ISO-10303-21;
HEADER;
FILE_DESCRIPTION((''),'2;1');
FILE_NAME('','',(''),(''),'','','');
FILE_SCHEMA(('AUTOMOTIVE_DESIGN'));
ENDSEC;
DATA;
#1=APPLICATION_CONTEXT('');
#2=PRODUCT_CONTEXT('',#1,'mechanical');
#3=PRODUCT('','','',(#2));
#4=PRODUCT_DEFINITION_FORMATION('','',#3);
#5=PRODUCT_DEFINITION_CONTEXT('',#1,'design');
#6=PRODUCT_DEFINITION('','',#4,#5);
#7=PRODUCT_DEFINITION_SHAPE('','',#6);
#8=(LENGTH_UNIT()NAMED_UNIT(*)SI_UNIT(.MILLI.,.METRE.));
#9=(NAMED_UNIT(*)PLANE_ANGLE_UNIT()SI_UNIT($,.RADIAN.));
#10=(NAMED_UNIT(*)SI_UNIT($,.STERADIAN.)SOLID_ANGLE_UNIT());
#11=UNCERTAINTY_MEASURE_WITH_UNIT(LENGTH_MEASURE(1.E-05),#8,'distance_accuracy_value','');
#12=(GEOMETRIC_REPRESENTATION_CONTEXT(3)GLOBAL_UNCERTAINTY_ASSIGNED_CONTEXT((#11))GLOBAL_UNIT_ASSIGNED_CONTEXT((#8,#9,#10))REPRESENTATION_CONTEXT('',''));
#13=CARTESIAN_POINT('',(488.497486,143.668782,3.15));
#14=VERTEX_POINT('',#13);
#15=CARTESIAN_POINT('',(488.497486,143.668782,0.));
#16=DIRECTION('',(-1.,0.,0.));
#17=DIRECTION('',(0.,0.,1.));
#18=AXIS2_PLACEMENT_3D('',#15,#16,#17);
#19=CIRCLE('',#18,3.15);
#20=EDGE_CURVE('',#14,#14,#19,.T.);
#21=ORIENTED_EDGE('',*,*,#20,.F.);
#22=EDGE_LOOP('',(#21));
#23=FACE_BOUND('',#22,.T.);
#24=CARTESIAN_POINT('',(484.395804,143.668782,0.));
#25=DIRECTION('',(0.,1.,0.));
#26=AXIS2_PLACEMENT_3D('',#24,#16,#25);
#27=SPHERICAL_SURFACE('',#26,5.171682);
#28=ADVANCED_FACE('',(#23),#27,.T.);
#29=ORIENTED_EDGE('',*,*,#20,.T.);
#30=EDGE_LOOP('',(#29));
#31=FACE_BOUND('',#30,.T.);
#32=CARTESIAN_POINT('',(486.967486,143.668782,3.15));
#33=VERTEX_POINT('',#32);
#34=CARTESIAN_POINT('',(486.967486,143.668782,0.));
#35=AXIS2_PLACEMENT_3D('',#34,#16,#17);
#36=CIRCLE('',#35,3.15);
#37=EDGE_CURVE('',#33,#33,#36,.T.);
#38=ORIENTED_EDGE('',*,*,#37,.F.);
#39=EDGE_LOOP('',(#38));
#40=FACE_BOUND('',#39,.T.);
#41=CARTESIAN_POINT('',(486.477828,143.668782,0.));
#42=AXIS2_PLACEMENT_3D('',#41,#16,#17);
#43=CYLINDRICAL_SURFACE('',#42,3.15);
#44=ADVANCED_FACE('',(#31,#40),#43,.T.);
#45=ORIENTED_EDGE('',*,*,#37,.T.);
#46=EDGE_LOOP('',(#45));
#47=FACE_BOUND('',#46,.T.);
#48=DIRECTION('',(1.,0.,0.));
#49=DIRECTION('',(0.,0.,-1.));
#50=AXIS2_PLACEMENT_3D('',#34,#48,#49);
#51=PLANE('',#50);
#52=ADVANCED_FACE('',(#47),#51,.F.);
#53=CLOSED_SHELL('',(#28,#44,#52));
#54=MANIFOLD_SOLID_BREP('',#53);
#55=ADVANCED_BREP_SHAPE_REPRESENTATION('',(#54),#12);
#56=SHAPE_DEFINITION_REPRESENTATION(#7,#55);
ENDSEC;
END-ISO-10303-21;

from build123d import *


with BuildPart() as part:
    # 草图2 → 旋转2 (revolve)
    with BuildSketch(Plane.XY):
        with BuildLine():
            Line((486.967485827, 143.668782463), (486.967485827, 146.818782463))
            Line((486.967485827, 146.818782463), (488.497485827, 146.818782463))
            ThreePointArc((488.497485827, 146.818782463), (489.292684961, 145.332167566), (489.567485827, 143.668782463))
            Line((489.567485827, 143.668782463), (486.967485827, 143.668782463))
        make_face()
    revolve(axis=Axis((486.477827843, 143.668782463, 0), (1, 0, 0)))


solid = part.part
